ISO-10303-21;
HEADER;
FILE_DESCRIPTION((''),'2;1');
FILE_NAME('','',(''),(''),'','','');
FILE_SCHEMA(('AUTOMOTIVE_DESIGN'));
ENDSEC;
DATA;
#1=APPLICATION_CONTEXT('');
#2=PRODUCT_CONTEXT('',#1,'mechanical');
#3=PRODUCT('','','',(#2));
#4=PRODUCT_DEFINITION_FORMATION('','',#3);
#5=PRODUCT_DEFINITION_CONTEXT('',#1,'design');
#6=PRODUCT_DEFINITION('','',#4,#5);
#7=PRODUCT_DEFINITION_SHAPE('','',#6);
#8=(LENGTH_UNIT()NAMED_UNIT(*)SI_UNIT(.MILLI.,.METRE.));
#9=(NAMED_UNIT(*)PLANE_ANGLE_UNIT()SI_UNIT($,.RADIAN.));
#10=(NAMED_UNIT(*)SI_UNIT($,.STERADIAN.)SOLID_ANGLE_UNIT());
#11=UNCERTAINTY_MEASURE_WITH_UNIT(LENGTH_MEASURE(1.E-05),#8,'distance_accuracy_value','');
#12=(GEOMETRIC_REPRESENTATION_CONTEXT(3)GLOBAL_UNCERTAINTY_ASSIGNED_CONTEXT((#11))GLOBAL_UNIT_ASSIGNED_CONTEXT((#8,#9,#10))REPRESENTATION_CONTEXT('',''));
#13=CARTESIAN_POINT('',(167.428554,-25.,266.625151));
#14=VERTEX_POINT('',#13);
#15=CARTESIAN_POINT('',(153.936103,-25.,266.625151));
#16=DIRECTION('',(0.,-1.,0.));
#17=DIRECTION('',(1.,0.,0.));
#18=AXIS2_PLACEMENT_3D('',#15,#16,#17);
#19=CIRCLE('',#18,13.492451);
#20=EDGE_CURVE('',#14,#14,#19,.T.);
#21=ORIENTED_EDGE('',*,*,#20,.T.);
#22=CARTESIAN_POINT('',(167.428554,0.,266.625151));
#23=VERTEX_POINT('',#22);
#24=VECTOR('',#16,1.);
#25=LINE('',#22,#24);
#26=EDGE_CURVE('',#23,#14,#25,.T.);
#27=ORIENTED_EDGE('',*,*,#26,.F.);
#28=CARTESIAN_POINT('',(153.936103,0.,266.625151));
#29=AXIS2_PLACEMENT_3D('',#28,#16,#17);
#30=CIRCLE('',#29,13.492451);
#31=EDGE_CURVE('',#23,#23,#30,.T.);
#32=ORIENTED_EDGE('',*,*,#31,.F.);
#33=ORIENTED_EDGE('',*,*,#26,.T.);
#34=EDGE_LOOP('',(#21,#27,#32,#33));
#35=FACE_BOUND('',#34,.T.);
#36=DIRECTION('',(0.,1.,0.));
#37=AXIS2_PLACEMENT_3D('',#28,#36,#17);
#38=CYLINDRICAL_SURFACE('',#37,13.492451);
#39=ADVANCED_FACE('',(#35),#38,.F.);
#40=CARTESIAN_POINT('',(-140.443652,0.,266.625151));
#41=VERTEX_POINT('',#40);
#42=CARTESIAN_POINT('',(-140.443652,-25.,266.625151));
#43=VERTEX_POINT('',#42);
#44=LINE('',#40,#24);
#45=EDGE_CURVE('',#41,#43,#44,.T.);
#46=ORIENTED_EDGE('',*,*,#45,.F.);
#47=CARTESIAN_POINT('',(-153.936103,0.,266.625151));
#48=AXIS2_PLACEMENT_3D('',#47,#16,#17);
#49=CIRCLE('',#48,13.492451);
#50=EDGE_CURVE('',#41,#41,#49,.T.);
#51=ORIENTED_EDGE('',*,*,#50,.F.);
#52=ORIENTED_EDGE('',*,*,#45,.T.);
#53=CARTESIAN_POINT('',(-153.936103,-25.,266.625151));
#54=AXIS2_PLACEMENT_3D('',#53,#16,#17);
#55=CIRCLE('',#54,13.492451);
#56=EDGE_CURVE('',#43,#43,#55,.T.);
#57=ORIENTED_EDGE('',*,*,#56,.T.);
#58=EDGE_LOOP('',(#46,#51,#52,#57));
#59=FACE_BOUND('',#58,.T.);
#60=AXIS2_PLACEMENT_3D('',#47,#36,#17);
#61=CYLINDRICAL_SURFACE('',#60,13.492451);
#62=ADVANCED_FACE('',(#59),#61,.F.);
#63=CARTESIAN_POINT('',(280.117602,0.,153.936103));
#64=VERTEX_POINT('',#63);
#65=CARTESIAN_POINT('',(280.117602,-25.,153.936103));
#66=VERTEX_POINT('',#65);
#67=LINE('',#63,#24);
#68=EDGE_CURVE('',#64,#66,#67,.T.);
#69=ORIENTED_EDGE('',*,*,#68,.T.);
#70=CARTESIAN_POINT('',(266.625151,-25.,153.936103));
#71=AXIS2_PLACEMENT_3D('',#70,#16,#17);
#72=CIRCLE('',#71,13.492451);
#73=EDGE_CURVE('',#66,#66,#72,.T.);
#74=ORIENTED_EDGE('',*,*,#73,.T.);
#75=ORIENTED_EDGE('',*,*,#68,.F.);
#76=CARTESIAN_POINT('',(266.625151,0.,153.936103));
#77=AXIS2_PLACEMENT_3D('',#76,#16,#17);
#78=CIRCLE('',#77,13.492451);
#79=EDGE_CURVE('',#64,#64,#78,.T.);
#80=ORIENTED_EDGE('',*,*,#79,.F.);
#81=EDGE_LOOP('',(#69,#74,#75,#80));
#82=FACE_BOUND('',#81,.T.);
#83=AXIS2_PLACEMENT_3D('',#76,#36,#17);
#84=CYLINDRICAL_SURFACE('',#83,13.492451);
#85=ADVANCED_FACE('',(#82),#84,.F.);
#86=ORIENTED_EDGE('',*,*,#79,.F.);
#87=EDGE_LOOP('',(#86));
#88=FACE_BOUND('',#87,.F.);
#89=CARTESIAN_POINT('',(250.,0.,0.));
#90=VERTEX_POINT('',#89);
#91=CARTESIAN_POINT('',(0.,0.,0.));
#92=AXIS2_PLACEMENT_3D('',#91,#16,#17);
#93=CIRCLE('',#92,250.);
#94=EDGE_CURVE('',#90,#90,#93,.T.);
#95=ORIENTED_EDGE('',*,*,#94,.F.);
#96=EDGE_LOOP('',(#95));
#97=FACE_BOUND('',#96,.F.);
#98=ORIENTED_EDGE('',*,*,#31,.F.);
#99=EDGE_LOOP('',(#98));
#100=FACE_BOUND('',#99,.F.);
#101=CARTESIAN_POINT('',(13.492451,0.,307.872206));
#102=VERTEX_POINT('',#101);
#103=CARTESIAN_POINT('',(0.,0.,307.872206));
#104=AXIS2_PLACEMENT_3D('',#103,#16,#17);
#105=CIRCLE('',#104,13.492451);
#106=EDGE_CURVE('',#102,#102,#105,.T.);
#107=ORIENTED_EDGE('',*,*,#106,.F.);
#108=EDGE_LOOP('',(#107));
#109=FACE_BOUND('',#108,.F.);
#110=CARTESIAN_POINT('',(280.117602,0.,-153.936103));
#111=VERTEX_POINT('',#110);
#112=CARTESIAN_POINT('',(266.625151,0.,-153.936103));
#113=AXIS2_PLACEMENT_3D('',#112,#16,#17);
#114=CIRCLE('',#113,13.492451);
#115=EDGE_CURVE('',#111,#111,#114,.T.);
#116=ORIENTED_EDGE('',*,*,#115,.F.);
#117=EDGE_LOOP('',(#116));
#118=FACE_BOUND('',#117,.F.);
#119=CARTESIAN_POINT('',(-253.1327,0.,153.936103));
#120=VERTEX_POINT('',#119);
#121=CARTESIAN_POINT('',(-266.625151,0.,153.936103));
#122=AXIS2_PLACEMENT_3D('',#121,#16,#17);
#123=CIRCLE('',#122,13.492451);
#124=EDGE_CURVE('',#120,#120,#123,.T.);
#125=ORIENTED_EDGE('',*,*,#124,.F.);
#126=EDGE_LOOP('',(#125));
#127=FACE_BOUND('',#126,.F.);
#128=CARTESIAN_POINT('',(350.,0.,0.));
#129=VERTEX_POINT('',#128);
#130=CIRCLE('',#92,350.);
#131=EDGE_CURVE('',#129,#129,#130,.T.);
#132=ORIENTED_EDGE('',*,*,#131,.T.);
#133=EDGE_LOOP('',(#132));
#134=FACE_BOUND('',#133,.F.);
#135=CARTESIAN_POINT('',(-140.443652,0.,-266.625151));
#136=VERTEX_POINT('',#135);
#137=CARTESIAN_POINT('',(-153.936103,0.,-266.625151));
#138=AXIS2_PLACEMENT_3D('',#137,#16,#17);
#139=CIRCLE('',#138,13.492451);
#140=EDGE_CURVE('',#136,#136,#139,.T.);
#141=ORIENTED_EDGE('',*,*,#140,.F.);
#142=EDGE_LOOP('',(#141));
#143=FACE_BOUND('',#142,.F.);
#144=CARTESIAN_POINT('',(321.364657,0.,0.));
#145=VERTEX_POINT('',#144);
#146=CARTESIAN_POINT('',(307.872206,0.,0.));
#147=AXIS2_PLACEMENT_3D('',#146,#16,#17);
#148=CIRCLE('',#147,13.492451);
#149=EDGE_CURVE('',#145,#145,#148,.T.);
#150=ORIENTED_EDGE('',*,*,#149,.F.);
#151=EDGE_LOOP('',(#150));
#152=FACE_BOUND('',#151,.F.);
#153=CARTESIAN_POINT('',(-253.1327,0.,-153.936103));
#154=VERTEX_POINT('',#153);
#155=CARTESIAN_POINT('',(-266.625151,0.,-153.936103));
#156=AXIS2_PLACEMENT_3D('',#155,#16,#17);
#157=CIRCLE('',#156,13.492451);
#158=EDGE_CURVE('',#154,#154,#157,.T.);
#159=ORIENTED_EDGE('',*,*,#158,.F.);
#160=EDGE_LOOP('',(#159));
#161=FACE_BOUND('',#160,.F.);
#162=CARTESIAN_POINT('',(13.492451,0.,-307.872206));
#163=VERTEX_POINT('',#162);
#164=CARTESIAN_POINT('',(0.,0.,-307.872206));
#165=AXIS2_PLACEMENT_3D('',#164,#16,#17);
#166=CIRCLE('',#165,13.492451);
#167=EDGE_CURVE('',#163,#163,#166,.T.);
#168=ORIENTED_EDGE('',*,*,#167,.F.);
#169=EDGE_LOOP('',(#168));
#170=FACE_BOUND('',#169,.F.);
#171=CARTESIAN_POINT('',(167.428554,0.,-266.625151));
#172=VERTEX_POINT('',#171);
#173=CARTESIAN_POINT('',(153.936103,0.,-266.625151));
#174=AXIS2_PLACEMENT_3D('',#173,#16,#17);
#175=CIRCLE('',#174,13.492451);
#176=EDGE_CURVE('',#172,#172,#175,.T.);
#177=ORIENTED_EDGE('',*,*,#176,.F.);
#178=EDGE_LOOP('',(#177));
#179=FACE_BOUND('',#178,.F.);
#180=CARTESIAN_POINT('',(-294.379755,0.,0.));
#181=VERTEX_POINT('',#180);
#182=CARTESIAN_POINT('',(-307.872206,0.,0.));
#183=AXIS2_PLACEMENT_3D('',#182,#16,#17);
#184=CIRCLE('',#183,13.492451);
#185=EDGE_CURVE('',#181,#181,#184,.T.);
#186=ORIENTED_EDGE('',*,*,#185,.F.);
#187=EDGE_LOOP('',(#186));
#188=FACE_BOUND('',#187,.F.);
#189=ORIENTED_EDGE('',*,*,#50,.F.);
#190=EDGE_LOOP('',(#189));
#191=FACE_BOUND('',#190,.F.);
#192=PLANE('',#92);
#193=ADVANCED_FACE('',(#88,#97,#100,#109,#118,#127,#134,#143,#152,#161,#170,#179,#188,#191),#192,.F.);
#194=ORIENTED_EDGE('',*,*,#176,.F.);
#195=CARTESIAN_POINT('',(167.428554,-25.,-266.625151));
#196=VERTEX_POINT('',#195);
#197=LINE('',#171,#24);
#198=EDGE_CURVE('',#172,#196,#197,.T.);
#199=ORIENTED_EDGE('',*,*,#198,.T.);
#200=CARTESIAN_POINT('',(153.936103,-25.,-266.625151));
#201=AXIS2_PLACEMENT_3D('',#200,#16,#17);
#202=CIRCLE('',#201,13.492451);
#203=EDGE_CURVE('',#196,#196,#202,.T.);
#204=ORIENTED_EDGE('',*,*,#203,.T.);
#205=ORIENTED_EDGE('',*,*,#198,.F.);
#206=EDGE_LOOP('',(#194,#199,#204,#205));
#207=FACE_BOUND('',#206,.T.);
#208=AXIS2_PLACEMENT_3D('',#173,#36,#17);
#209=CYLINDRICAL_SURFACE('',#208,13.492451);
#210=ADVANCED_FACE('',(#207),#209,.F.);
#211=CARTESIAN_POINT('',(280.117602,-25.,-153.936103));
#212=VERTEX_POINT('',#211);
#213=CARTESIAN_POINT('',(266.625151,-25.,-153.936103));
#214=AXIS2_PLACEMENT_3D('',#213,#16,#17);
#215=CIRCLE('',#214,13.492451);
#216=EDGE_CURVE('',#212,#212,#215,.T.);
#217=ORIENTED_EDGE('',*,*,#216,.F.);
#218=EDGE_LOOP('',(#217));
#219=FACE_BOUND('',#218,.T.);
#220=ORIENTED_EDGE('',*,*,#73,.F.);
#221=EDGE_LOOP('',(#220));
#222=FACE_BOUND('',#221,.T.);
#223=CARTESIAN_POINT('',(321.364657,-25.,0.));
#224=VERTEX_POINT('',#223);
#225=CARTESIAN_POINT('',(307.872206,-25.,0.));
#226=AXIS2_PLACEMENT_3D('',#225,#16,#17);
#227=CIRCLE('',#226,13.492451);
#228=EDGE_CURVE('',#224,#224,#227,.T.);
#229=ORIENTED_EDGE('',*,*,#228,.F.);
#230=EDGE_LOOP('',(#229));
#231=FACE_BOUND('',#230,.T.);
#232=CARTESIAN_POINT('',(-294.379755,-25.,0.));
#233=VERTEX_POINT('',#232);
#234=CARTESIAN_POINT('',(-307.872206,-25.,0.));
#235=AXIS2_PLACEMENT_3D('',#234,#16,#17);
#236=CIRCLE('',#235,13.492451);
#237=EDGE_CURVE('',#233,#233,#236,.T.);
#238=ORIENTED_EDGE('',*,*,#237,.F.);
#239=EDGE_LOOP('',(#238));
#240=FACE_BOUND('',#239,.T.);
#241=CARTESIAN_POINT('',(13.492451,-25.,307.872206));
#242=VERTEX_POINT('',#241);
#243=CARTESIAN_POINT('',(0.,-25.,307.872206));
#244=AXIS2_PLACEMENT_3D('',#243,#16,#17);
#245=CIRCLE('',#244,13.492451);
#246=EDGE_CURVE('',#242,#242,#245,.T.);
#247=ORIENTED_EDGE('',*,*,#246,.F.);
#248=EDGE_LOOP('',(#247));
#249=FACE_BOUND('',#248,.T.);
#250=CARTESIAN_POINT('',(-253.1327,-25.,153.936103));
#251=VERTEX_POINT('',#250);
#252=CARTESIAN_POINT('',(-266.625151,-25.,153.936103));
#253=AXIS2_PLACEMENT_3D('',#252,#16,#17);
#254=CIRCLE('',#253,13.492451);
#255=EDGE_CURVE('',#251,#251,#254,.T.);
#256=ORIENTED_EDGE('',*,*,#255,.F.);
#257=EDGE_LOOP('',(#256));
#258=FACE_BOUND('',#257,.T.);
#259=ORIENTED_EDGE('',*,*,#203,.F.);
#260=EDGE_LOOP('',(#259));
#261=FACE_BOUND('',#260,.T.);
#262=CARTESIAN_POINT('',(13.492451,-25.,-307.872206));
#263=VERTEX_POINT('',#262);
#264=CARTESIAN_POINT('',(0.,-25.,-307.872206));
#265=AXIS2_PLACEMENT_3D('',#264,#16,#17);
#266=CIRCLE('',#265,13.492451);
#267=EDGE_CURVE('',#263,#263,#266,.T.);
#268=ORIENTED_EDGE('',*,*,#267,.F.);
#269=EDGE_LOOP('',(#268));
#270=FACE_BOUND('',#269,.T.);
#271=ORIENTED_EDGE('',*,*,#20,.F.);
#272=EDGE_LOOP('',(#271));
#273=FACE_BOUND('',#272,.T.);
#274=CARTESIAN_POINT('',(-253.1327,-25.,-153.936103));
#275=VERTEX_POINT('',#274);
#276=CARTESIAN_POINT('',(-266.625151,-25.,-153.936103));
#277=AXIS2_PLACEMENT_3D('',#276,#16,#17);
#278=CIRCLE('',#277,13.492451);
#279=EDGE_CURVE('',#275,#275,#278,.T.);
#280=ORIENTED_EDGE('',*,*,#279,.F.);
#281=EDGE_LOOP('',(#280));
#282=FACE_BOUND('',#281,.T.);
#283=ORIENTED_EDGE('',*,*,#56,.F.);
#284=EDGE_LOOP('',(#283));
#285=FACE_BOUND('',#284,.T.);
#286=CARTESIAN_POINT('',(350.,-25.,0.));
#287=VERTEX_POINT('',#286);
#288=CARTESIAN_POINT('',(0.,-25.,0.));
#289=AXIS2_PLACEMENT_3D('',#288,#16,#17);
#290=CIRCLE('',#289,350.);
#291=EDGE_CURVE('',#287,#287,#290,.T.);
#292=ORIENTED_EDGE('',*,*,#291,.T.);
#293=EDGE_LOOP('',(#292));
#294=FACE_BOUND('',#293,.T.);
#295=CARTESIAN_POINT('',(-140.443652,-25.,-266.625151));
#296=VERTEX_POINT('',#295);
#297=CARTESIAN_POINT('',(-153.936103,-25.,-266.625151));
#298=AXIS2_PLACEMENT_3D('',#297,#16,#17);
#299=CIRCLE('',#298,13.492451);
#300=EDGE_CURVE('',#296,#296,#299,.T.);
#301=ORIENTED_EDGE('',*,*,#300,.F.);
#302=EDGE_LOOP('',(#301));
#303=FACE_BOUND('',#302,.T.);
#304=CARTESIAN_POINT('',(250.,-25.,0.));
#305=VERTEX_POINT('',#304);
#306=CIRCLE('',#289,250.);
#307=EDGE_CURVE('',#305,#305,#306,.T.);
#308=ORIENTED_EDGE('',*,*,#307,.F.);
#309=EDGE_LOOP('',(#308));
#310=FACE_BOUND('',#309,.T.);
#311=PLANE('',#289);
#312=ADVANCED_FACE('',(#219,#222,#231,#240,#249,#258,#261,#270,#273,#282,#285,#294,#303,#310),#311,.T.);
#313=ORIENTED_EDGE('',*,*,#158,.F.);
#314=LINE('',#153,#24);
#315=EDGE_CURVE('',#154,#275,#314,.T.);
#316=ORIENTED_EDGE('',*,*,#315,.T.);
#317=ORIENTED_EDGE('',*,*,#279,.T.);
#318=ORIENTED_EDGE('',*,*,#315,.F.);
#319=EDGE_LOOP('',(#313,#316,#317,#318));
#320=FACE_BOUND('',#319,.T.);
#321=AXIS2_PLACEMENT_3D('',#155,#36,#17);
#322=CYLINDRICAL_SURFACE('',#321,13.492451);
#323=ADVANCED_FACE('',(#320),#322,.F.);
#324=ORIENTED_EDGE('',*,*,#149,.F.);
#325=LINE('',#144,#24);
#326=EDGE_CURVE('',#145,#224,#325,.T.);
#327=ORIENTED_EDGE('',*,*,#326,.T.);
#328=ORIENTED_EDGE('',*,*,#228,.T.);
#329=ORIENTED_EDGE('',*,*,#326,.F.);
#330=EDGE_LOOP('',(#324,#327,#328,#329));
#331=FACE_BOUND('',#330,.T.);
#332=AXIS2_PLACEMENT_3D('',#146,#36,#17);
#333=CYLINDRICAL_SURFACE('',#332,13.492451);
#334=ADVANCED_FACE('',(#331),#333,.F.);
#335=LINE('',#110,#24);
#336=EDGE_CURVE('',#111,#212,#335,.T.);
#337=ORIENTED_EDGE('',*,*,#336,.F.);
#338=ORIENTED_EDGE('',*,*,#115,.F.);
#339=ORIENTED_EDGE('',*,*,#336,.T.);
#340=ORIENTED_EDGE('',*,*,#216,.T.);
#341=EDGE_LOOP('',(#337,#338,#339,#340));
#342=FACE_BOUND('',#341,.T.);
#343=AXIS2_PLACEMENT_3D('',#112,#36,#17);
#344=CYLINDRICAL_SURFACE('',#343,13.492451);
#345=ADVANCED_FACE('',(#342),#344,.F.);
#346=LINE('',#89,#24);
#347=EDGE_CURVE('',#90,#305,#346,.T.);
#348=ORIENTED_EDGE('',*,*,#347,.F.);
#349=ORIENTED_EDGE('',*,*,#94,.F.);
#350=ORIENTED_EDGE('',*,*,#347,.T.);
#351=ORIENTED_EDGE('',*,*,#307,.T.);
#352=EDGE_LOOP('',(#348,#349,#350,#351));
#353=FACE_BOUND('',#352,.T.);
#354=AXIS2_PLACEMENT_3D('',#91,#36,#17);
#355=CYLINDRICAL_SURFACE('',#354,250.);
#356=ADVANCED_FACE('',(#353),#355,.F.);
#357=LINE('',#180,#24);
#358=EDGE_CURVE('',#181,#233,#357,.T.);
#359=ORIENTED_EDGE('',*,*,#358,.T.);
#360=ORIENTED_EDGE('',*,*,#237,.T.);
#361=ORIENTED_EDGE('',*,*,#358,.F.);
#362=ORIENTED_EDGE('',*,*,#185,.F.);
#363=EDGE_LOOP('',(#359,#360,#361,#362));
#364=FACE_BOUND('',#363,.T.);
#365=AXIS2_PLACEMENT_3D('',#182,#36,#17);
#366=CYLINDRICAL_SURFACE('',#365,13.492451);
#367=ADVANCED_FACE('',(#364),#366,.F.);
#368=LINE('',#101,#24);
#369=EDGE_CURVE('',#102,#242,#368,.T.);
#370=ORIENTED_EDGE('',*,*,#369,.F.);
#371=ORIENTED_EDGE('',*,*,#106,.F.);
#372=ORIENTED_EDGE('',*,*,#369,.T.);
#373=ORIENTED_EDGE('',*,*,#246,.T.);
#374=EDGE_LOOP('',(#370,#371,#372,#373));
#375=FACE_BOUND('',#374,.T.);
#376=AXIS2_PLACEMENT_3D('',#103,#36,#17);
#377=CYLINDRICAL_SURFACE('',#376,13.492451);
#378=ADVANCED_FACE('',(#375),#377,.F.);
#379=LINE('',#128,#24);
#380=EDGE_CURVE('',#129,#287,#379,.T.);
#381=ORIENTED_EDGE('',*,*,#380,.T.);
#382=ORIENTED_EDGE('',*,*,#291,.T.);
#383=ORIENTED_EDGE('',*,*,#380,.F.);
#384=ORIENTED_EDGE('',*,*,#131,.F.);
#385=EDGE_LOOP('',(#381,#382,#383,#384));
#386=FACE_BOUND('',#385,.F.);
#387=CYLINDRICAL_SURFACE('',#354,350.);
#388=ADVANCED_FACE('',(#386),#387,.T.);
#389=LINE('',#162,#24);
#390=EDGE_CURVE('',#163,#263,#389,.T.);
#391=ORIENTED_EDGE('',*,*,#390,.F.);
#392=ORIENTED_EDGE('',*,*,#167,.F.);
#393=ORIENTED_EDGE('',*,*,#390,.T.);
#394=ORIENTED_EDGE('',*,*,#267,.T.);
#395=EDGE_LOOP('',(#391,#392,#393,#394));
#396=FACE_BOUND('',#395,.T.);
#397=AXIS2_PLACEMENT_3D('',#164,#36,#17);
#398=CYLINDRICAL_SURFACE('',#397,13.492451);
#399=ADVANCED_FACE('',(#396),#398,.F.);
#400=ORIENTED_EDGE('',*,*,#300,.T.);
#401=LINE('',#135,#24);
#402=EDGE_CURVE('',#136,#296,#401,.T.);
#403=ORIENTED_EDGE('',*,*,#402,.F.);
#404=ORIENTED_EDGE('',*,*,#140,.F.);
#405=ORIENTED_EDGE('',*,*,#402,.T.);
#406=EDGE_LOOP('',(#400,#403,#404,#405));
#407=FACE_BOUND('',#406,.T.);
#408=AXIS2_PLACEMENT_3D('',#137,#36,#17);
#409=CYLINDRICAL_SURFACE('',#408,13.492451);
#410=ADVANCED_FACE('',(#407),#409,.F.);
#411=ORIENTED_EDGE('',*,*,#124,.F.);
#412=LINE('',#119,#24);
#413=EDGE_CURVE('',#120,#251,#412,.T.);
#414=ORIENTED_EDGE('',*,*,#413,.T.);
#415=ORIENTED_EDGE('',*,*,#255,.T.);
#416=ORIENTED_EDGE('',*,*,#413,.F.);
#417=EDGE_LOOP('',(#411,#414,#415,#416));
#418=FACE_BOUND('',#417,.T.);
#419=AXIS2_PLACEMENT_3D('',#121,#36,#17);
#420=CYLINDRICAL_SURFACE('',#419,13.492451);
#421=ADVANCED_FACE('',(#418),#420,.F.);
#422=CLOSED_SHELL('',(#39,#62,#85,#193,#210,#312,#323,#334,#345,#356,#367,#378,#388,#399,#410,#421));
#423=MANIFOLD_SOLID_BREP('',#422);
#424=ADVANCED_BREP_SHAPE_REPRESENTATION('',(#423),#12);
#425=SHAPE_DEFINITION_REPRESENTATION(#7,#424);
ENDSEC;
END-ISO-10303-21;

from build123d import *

# Parameters (mm, degrees)
F0_R     = 350
F0_R_2   = 13.492451
F0_R_3   = 250
F1_DEPTH = 25


with BuildPart() as f1:
    # F0 (on Front) → F1 (new body)
    with BuildSketch(Plane.XZ):
        Circle(F0_R)
        with Locations((-153.936103, -266.625151)):
            Circle(F0_R_2, mode=Mode.SUBTRACT)
        with Locations((-266.625151, -153.936103)):
            Circle(F0_R_2, mode=Mode.SUBTRACT)
        with Locations((0, -307.872206)):
            Circle(F0_R_2, mode=Mode.SUBTRACT)
        with Locations((153.936103, -266.625151)):
            Circle(F0_R_2, mode=Mode.SUBTRACT)
        with Locations((266.625151, -153.936103)):
            Circle(F0_R_2, mode=Mode.SUBTRACT)
        with Locations((-307.872206, 0)):
            Circle(F0_R_2, mode=Mode.SUBTRACT)
        with Locations((-266.625151, 153.936103)):
            Circle(F0_R_2, mode=Mode.SUBTRACT)
        with Locations((-153.936103, 266.625151)):
            Circle(F0_R_2, mode=Mode.SUBTRACT)
        Circle(F0_R_3, mode=Mode.SUBTRACT)
        with Locations((307.872206, 0)):
            Circle(F0_R_2, mode=Mode.SUBTRACT)
        with Locations((266.625151, 153.936103)):
            Circle(F0_R_2, mode=Mode.SUBTRACT)
        with Locations((0, 307.872206)):
            Circle(F0_R_2, mode=Mode.SUBTRACT)
        with Locations((153.936103, 266.625151)):
            Circle(F0_R_2, mode=Mode.SUBTRACT)
    extrude(amount=F1_DEPTH)


solid = f1.part
